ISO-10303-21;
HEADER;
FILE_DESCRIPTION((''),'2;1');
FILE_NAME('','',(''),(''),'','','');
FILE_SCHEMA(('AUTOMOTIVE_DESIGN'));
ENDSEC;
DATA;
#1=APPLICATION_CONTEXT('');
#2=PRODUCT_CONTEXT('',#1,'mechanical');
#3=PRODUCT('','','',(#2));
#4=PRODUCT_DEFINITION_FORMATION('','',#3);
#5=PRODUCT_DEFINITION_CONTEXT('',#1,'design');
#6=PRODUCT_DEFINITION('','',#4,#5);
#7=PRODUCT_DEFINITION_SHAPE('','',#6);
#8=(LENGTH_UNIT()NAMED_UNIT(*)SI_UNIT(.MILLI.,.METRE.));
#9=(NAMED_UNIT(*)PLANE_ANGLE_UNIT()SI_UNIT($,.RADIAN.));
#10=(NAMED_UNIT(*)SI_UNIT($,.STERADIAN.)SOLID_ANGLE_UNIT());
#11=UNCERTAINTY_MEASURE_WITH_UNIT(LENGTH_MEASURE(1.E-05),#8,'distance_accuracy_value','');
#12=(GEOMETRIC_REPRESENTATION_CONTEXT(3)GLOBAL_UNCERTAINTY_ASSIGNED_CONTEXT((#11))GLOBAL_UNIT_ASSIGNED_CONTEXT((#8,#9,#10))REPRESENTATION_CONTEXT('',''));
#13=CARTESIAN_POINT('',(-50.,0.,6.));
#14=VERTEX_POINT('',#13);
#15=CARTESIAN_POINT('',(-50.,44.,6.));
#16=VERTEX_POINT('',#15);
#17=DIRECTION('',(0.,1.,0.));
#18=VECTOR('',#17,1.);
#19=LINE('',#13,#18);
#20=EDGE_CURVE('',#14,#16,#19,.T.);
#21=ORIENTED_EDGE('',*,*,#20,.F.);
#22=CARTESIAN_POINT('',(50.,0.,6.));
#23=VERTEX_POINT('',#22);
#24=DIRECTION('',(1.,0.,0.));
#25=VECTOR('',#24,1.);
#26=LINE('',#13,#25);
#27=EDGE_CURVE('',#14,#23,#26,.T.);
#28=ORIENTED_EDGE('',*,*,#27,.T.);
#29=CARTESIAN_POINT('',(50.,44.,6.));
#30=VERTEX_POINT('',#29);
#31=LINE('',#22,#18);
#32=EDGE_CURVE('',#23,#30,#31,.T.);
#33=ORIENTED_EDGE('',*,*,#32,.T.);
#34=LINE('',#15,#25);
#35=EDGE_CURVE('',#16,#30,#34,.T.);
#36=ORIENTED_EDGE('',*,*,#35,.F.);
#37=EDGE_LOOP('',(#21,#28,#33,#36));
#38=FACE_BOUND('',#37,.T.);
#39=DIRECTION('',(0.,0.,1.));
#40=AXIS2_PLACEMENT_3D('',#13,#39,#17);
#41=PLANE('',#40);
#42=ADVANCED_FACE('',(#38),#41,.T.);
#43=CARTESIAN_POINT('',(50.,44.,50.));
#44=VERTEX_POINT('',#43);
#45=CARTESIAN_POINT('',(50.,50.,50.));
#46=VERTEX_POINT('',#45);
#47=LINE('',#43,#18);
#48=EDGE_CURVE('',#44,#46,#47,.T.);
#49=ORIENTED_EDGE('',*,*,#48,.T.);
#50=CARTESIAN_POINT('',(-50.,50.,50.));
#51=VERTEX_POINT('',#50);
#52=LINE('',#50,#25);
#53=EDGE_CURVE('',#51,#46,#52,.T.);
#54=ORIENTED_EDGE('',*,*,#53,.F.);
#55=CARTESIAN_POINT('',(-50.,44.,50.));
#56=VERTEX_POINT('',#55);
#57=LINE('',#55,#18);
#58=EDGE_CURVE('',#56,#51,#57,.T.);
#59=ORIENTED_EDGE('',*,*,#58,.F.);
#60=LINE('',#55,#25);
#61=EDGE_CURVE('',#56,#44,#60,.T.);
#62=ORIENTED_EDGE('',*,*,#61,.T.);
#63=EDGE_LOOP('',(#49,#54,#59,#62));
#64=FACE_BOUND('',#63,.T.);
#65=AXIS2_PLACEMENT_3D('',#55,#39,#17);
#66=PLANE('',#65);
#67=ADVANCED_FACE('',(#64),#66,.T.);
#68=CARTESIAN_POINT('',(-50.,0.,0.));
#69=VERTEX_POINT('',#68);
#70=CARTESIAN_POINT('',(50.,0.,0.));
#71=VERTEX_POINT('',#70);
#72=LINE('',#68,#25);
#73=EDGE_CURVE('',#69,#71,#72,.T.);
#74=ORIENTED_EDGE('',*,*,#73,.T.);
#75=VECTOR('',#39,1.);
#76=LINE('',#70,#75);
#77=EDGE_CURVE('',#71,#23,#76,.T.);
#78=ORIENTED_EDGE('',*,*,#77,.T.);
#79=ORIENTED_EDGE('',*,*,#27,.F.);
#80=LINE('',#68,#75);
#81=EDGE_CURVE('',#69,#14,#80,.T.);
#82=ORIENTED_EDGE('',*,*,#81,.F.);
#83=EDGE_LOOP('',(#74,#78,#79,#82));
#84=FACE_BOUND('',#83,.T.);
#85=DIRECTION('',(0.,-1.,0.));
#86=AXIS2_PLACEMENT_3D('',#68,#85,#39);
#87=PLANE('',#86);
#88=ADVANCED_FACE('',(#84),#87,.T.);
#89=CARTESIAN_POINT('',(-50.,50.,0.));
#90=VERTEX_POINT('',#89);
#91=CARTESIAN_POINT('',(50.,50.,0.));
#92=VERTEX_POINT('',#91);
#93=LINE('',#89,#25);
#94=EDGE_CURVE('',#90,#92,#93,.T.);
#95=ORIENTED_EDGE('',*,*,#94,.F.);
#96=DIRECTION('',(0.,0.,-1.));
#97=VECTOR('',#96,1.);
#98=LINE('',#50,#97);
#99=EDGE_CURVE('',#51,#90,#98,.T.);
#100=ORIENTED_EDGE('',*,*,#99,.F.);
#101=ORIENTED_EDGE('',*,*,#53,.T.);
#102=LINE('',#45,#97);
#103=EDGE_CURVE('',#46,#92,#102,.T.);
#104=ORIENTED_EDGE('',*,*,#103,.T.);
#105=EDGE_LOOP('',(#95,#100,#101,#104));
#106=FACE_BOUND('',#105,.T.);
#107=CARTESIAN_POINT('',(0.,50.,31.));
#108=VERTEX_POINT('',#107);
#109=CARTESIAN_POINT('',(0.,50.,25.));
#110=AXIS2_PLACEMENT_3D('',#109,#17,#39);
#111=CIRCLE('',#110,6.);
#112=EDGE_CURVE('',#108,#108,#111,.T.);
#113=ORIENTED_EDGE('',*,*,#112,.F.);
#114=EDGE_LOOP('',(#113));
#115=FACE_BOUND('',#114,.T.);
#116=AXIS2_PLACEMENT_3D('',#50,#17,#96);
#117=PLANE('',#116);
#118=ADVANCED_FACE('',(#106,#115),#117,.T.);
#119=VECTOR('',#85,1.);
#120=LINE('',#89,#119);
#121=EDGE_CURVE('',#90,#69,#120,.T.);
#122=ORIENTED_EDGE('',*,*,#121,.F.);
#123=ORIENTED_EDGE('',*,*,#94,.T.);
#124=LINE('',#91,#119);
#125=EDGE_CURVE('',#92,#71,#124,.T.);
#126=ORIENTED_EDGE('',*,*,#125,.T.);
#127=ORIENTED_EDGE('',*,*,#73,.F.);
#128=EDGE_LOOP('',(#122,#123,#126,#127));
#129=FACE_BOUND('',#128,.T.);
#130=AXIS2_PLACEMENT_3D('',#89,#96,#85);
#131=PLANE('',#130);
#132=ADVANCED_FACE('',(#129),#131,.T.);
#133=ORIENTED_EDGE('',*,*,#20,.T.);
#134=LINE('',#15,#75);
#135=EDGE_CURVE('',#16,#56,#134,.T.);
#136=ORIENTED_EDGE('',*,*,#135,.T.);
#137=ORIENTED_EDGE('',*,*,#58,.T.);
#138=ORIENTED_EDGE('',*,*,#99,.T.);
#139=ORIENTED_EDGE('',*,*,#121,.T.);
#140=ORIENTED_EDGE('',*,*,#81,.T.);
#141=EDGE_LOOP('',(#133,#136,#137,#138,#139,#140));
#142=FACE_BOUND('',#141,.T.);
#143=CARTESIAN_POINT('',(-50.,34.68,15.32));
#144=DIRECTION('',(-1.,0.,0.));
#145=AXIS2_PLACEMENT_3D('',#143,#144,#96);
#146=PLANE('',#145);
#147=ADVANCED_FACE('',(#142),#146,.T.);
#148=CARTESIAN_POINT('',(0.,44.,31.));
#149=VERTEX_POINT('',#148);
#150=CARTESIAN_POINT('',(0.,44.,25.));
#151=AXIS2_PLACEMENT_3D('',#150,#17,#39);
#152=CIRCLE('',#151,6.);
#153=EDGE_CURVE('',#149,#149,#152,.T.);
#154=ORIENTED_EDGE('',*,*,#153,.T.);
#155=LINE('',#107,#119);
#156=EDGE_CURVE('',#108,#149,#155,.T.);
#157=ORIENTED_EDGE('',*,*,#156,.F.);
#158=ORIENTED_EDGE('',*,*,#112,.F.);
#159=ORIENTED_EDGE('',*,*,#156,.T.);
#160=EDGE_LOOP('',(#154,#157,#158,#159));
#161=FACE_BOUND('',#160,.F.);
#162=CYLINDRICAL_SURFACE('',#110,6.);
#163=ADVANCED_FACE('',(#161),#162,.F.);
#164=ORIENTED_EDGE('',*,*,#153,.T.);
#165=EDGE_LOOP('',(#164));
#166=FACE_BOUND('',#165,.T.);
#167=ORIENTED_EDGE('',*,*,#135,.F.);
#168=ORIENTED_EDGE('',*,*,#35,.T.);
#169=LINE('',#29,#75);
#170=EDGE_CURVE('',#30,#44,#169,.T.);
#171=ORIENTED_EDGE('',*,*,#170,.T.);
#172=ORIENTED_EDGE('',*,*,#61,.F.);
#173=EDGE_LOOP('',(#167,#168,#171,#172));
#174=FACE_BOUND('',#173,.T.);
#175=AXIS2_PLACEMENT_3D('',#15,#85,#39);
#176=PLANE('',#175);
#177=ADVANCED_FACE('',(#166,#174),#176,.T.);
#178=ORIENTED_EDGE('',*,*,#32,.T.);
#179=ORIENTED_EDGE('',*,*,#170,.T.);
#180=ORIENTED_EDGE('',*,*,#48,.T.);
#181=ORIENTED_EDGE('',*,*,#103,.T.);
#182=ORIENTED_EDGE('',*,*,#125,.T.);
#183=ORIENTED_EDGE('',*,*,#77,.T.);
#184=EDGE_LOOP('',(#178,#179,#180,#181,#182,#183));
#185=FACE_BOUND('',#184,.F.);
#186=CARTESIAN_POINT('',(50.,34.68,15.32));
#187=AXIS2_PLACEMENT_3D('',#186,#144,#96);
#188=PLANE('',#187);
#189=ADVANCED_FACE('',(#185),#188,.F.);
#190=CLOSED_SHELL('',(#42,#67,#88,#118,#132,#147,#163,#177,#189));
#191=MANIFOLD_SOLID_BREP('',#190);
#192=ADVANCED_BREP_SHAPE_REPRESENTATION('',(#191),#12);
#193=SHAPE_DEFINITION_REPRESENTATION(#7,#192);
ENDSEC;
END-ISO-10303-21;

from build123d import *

# Parameters (mm, degrees)
PAD_DEPTH                  = 100
SKETCH001_R                = 6
POCKET_DEPTH               = 50.001
POCKETBODY_PITCH_ANGLE     = -90
POCKETBODY_PLACEMENT_ANGLE = -180


with BuildPart() as part:
    # Sketch → Pad (new body)
    with BuildSketch(Plane.XY):
        Polygon((0, 0), (0, 50), (6, 50), (6, 6), (50, 6), (50, 0), align=None)
    extrude(amount=PAD_DEPTH)

    # Sketch001 (on Face6 of Pad) → Pocket (cut, through all)
    with BuildSketch(Plane.XZ):
        with Locations((25, 50)):
            Circle(SKETCH001_R)
    extrude(amount=-POCKET_DEPTH, mode=Mode.SUBTRACT)


with BuildPart() as part_1:
    # PocketBody pitch: moved
    add(part.part.rotate(Axis((0, 0, 0), (0, 1, 0)), POCKETBODY_PITCH_ANGLE))


with BuildPart() as part_2:
    # PocketBody placement: moved
    add(part_1.part.moved(Location((-50, 50, 0))).rotate(Axis((-50, 50, 0), (0, 0, 1)), POCKETBODY_PLACEMENT_ANGLE))


solid = part_2.part
